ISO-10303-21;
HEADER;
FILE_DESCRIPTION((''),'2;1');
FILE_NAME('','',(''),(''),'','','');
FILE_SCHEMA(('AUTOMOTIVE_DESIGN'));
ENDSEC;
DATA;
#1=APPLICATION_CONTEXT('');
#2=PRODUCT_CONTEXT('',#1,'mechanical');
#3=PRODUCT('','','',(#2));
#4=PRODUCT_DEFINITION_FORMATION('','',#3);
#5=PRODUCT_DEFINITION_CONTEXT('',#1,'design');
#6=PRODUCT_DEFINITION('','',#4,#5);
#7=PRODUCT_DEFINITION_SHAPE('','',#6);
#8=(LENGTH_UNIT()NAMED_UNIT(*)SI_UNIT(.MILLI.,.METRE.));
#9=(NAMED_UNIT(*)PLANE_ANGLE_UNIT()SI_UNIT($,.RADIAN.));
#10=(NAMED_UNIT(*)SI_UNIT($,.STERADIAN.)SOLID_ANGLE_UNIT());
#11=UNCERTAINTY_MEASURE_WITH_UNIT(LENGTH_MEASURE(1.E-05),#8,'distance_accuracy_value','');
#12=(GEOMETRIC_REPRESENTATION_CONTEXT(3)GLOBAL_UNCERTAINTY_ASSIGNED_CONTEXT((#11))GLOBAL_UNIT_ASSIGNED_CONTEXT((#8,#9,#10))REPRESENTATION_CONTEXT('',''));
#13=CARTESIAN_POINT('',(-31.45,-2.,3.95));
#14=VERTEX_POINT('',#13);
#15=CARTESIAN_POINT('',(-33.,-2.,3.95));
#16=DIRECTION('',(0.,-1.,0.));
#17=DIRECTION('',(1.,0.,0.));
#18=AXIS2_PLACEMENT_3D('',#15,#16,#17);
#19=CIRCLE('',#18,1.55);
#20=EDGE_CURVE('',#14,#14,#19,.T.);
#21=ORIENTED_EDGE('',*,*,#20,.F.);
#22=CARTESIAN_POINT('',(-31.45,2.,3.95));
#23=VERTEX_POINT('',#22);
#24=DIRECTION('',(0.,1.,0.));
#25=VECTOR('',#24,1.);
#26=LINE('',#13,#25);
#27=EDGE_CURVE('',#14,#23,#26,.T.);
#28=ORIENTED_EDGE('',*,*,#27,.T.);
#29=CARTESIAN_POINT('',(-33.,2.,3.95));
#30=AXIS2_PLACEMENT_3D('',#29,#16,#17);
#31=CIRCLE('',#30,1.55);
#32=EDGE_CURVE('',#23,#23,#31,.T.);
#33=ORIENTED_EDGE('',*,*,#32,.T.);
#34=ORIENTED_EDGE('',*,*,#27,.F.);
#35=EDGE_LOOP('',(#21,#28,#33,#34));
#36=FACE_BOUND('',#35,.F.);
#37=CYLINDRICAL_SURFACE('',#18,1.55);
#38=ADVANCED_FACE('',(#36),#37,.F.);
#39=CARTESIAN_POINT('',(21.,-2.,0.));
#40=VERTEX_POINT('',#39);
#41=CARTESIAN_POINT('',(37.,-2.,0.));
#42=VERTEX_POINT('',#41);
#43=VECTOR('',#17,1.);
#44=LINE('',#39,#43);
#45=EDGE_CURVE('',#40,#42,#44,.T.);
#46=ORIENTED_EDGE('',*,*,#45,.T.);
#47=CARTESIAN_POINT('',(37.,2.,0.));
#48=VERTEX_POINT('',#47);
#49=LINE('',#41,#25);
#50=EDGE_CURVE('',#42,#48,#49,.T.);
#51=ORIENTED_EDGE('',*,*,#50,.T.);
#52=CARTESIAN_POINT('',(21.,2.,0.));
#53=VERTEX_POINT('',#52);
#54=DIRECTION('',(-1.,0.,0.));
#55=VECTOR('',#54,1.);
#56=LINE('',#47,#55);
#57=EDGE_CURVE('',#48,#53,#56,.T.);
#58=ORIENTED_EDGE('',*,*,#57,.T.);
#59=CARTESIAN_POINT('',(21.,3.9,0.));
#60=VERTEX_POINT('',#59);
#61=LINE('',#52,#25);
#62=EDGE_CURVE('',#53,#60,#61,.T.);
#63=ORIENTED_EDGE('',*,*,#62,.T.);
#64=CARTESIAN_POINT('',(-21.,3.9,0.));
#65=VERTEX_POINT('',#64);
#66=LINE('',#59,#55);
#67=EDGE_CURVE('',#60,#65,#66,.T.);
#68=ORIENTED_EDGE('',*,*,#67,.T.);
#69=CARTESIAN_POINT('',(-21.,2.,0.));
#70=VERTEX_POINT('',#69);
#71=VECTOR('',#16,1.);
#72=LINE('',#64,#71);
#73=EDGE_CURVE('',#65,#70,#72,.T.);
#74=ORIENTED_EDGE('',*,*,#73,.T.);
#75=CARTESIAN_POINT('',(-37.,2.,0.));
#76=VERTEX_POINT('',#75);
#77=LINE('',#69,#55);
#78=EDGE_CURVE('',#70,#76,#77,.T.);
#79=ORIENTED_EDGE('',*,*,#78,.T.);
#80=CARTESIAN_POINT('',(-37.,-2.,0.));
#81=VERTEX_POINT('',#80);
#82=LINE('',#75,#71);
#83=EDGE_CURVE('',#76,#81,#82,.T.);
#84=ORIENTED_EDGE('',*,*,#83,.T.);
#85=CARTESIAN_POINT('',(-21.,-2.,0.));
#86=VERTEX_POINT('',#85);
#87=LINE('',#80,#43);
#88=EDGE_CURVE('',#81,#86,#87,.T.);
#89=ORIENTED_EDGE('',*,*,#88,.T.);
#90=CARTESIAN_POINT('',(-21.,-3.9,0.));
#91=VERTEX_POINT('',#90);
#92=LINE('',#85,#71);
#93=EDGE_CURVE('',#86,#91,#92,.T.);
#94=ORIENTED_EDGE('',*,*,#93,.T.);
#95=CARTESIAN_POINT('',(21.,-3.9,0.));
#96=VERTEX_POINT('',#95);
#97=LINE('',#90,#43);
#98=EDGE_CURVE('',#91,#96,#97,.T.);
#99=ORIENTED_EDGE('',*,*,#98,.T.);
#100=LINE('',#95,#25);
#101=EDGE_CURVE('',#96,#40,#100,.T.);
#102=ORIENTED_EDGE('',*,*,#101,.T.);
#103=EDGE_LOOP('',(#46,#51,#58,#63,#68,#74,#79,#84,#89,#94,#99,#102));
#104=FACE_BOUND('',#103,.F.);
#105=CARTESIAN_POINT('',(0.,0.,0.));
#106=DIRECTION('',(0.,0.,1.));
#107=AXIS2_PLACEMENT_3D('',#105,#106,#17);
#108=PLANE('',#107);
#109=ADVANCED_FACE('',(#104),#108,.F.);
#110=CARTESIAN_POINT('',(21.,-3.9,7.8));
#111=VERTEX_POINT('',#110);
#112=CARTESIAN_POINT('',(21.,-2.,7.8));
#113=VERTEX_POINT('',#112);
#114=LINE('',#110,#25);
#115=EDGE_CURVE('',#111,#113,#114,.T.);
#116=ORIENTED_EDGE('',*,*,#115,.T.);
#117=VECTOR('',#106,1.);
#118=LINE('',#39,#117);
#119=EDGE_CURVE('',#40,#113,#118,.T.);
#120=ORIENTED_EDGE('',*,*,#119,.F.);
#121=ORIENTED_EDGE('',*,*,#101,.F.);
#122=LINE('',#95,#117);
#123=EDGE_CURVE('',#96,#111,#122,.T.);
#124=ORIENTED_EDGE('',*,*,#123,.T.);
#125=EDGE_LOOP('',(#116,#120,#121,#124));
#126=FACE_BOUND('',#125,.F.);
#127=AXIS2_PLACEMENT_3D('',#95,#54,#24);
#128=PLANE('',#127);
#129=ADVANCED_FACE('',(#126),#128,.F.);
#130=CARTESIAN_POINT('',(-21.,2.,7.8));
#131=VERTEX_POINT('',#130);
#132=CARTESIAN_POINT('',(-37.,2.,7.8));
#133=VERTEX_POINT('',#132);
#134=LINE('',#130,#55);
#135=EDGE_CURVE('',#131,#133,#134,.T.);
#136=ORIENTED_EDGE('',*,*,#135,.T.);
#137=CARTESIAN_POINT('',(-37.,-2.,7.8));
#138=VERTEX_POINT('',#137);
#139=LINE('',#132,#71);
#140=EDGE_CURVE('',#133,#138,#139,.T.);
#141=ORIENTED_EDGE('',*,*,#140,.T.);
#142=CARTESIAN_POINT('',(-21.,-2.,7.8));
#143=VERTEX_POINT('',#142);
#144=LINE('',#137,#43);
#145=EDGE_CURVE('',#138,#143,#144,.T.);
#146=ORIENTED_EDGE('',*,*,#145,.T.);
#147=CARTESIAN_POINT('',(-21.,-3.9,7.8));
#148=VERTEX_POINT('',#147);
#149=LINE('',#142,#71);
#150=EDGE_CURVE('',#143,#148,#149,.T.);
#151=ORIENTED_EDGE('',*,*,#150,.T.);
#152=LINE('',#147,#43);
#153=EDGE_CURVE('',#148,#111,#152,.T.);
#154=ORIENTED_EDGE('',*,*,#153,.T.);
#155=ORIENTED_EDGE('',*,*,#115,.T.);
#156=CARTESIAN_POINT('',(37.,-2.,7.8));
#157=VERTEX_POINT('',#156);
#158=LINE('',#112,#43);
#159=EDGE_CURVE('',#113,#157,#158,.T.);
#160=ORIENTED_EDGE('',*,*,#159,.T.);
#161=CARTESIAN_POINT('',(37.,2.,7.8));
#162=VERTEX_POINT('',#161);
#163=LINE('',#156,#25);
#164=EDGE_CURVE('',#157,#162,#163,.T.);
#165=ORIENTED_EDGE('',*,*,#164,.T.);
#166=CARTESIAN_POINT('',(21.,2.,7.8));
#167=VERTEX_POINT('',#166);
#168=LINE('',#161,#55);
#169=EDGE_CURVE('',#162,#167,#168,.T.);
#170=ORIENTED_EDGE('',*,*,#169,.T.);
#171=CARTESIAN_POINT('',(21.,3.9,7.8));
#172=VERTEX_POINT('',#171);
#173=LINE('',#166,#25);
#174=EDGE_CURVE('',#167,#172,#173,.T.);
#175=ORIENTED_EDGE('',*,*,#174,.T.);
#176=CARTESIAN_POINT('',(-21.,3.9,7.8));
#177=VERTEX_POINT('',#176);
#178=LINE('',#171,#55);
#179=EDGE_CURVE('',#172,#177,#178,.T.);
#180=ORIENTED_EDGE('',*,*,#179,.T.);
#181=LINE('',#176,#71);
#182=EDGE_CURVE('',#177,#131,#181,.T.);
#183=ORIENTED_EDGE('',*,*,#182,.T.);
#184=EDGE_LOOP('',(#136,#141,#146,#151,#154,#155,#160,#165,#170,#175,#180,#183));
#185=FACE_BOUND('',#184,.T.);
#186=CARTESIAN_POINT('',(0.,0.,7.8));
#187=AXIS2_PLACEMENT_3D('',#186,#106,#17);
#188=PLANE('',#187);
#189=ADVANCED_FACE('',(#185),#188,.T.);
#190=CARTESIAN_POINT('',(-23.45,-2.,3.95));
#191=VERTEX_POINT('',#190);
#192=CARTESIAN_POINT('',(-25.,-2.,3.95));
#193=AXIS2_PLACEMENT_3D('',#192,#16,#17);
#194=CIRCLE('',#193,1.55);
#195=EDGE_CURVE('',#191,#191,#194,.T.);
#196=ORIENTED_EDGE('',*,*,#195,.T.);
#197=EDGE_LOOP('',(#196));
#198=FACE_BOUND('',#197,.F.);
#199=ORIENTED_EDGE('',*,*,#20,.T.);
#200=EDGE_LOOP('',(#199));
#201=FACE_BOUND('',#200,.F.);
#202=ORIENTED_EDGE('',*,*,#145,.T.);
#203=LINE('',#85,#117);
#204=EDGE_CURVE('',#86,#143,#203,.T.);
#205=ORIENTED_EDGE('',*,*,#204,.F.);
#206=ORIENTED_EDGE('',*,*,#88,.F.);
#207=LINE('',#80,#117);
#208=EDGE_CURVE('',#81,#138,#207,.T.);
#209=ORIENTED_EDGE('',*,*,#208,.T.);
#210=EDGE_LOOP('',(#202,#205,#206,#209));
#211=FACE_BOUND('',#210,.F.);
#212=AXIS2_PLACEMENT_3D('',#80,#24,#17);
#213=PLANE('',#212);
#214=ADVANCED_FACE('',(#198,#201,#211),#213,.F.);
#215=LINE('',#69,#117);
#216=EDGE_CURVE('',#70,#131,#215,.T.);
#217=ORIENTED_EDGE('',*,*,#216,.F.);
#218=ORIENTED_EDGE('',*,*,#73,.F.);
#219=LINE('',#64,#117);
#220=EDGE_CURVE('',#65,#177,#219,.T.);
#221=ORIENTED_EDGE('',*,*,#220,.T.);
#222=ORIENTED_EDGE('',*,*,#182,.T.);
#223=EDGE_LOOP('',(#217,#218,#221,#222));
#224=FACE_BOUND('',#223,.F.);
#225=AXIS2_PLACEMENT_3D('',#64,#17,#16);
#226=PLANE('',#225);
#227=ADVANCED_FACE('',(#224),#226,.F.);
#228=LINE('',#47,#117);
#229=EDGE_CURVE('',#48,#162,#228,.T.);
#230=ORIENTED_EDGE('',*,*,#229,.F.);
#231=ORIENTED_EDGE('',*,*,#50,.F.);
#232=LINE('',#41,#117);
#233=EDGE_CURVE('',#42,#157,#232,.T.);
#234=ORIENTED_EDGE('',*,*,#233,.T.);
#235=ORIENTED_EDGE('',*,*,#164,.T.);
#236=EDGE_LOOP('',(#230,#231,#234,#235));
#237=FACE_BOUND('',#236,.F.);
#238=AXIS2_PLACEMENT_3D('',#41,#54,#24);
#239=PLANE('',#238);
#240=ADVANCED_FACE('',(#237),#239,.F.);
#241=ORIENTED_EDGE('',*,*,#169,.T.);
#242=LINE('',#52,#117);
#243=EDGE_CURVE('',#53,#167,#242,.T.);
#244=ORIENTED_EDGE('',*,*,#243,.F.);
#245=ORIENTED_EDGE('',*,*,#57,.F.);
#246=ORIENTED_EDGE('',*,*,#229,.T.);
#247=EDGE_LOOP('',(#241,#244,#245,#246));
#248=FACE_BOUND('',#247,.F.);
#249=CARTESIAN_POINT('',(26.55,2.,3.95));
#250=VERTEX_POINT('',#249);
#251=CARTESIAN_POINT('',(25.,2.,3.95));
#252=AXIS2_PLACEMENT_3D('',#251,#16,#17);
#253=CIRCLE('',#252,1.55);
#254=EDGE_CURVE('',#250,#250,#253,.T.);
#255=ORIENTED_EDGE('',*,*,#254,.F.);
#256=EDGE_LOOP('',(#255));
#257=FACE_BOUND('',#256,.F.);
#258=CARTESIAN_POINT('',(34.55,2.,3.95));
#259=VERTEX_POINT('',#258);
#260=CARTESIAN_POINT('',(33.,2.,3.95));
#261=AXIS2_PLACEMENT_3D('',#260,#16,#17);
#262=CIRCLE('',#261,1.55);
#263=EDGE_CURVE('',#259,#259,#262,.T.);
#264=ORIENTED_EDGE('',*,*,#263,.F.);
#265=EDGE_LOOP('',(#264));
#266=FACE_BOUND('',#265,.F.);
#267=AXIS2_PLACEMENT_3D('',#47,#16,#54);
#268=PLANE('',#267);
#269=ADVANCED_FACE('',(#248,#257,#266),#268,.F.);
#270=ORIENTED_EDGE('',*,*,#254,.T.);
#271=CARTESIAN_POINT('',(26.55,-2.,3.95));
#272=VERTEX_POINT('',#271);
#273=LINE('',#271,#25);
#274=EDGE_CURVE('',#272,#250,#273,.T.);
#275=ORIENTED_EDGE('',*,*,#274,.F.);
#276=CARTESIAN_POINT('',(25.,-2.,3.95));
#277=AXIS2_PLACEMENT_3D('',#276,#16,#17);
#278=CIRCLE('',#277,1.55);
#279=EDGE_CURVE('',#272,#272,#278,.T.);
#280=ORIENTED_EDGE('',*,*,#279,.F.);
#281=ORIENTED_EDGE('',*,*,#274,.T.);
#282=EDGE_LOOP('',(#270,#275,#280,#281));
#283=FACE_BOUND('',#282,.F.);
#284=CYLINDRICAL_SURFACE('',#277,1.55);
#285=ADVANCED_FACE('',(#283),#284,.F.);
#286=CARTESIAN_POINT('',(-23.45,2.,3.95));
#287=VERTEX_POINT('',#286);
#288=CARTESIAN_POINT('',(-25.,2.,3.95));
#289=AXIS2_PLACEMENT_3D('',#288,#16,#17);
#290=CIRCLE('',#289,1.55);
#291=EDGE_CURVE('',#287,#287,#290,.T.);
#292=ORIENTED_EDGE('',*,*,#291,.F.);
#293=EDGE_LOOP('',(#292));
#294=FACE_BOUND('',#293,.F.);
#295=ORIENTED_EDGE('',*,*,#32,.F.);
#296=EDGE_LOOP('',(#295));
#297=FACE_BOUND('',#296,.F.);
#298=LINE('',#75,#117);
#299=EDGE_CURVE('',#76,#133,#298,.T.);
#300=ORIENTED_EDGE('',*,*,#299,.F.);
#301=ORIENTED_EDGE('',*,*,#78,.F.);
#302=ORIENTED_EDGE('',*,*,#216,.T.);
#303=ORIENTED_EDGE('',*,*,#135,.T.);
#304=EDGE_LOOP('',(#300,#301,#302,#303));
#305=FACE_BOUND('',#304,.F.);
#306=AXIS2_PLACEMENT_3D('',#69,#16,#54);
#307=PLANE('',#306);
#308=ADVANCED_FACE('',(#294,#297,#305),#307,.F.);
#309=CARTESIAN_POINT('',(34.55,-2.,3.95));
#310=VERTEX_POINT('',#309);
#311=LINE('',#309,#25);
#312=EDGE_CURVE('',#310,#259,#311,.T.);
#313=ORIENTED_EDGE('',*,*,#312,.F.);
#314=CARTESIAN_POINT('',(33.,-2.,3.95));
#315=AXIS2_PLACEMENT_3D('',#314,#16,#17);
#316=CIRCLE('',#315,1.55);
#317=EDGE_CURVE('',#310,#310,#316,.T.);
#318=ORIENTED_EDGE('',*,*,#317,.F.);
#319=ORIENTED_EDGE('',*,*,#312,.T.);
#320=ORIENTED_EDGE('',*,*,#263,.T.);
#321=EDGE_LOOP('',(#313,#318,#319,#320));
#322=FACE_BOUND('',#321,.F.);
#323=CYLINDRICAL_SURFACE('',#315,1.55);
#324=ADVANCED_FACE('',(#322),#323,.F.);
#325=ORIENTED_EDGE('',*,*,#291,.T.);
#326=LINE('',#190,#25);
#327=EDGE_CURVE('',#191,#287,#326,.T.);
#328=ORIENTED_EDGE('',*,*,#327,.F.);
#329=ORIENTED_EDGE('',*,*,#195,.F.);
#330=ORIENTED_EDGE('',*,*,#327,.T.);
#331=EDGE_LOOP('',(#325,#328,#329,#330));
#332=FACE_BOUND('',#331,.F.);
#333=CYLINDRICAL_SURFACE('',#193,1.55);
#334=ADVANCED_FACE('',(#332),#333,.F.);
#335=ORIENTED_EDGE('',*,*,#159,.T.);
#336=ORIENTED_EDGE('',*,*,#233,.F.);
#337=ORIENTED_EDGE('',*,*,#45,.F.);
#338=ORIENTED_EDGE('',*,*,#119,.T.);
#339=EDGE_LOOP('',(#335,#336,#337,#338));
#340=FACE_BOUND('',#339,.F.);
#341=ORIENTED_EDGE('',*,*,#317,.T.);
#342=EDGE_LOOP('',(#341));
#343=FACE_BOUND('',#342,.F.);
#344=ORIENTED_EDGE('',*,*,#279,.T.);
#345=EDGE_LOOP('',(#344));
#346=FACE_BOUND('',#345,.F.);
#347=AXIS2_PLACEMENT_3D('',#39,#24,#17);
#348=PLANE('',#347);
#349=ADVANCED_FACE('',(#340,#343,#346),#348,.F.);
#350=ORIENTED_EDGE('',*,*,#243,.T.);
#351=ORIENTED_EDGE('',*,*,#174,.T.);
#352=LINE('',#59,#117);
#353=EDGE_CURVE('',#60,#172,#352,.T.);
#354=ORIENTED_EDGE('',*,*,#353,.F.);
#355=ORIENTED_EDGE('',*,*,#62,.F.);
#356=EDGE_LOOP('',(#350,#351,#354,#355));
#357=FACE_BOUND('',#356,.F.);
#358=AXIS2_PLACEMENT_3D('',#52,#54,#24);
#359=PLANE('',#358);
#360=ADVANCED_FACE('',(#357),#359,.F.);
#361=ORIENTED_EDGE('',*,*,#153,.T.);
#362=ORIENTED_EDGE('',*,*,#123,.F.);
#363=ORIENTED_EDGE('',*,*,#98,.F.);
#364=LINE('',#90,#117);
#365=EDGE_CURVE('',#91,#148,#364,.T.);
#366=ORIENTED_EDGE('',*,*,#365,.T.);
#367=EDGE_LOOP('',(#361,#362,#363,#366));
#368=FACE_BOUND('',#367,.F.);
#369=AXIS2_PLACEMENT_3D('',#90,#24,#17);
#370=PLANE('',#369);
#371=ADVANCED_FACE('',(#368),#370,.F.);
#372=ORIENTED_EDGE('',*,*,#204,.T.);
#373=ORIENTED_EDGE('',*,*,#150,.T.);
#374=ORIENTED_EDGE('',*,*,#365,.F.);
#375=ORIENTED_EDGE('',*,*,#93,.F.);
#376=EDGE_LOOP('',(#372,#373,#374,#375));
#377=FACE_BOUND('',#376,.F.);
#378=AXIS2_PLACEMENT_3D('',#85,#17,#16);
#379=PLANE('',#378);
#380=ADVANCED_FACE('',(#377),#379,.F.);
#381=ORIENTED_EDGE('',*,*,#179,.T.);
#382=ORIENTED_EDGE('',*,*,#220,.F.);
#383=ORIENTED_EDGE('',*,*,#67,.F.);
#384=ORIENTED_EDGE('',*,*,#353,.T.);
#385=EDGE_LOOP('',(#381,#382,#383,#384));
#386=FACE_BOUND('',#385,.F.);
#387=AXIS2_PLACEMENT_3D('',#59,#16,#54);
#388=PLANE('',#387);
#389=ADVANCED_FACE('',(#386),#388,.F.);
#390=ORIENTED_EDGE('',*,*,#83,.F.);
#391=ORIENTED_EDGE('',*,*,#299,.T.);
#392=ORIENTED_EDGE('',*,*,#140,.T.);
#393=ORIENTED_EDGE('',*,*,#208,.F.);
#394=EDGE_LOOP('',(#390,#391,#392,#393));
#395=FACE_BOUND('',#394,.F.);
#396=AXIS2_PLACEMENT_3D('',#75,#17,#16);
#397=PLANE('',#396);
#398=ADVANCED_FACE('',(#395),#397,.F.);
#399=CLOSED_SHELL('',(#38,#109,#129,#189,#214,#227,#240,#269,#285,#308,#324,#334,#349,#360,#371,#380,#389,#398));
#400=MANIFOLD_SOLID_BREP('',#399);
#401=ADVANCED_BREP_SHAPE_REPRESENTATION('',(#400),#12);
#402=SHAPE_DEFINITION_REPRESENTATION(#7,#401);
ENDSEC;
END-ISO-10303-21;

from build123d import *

# Parameters (mm, degrees)
PAD_DEPTH       = 7.8
SKETCH001_R     = 1.55
POCKET_DEPTH    = 5.901
POCKET001_DEPTH = 5.901


with BuildPart() as part:
    # Sketch → Pad (new body)
    with BuildSketch(Plane.XY):
        Polygon((37, -2), (37, 2), (21, 2), (21, 3.9), (-21, 3.9), (-21, 2), (-37, 2), (-37, -2), (-21, -2), (-21, -3.9), (21, -3.9), (21, -2), align=None)
    extrude(amount=PAD_DEPTH)

    # Sketch001 (on Face3 of Pad) → Pocket (cut, through all)
    with BuildSketch(Plane.XZ.offset(2)):
        with Locations((-33, 3.95)):
            Circle(SKETCH001_R)
        with Locations((-25, 3.95)):
            Circle(SKETCH001_R)
        with Locations((25, 3.95)):
            Circle(SKETCH001_R)
        with Locations((33, 3.95)):
            Circle(SKETCH001_R)
    extrude(amount=-POCKET_DEPTH, mode=Mode.SUBTRACT)

    # Sketch001 (on Face3 of Pad) → Pocket001 (cut, through all)
    with BuildSketch(Plane.XZ.offset(2)):
        with Locations((-33, 3.95)):
            Circle(SKETCH001_R)
        with Locations((-25, 3.95)):
            Circle(SKETCH001_R)
        with Locations((25, 3.95)):
            Circle(SKETCH001_R)
        with Locations((33, 3.95)):
            Circle(SKETCH001_R)
    extrude(amount=-POCKET001_DEPTH, mode=Mode.SUBTRACT)


solid = part.part
